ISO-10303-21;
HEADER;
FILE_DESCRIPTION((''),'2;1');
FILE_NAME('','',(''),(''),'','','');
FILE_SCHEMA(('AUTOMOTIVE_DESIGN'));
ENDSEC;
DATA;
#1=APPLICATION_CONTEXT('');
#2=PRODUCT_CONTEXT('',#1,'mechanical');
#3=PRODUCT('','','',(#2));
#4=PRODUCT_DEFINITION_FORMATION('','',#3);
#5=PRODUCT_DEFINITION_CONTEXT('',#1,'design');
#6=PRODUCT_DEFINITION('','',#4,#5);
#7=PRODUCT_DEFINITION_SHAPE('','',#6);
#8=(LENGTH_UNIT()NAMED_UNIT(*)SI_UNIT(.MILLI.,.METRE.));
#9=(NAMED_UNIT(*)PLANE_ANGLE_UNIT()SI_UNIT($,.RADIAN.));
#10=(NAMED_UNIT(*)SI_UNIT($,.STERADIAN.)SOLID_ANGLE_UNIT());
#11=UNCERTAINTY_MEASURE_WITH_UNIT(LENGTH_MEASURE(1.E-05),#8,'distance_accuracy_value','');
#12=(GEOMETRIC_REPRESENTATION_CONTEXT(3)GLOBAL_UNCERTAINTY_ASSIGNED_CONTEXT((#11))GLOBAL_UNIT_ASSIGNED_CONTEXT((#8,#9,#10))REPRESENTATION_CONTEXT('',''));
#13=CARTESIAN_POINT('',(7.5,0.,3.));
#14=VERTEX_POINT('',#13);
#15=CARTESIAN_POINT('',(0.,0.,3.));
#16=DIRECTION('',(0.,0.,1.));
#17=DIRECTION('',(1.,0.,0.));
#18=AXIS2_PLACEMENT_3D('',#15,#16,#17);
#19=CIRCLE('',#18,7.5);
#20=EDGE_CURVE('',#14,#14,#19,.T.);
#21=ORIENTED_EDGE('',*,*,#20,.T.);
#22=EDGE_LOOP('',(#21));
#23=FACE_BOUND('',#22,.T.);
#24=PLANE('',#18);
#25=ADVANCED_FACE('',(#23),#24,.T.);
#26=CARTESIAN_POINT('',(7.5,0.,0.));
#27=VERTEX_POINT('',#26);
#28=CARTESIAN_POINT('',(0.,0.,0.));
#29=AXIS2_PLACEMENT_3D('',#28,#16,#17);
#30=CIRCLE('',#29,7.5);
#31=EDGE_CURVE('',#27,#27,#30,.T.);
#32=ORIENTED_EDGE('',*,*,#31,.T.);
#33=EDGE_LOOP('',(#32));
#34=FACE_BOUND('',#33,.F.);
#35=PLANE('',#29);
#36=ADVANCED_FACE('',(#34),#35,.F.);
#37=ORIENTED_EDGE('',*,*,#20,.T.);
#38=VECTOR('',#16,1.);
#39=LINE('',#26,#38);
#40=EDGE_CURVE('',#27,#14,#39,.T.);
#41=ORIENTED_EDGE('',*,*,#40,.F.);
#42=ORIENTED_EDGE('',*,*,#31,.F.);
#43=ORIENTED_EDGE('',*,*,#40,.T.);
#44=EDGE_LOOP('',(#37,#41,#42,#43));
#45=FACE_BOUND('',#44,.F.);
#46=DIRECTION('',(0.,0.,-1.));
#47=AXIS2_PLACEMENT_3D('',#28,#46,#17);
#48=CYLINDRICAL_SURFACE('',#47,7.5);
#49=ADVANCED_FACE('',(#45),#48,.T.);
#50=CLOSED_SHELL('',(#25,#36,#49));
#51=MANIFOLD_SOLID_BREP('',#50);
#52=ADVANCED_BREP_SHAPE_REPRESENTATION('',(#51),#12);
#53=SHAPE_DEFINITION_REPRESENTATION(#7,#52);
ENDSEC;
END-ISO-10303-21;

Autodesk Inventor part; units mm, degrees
ref_plane "YZ Plane" through (0, 0, 0) normal (1, 0, 0) x (0, 1, 0)
ref_plane "XZ Plane" through (0, 0, 0) normal (0, 1, 0) x (-1, 0, 0)
ref_plane "XY Plane" through (0, 0, 0) normal (0, 0, 1) x (1, 0, 0)
sketch "Sketch1" plane through (0, 0, 0) normal (0, 0, 1) x (1, 0, 0)
  circle A0 centre (0, 0) radius 7.5
  dimension "d0" = 15
extrude "Extrusion1" add sketch "Sketch1" along normal blind 3
